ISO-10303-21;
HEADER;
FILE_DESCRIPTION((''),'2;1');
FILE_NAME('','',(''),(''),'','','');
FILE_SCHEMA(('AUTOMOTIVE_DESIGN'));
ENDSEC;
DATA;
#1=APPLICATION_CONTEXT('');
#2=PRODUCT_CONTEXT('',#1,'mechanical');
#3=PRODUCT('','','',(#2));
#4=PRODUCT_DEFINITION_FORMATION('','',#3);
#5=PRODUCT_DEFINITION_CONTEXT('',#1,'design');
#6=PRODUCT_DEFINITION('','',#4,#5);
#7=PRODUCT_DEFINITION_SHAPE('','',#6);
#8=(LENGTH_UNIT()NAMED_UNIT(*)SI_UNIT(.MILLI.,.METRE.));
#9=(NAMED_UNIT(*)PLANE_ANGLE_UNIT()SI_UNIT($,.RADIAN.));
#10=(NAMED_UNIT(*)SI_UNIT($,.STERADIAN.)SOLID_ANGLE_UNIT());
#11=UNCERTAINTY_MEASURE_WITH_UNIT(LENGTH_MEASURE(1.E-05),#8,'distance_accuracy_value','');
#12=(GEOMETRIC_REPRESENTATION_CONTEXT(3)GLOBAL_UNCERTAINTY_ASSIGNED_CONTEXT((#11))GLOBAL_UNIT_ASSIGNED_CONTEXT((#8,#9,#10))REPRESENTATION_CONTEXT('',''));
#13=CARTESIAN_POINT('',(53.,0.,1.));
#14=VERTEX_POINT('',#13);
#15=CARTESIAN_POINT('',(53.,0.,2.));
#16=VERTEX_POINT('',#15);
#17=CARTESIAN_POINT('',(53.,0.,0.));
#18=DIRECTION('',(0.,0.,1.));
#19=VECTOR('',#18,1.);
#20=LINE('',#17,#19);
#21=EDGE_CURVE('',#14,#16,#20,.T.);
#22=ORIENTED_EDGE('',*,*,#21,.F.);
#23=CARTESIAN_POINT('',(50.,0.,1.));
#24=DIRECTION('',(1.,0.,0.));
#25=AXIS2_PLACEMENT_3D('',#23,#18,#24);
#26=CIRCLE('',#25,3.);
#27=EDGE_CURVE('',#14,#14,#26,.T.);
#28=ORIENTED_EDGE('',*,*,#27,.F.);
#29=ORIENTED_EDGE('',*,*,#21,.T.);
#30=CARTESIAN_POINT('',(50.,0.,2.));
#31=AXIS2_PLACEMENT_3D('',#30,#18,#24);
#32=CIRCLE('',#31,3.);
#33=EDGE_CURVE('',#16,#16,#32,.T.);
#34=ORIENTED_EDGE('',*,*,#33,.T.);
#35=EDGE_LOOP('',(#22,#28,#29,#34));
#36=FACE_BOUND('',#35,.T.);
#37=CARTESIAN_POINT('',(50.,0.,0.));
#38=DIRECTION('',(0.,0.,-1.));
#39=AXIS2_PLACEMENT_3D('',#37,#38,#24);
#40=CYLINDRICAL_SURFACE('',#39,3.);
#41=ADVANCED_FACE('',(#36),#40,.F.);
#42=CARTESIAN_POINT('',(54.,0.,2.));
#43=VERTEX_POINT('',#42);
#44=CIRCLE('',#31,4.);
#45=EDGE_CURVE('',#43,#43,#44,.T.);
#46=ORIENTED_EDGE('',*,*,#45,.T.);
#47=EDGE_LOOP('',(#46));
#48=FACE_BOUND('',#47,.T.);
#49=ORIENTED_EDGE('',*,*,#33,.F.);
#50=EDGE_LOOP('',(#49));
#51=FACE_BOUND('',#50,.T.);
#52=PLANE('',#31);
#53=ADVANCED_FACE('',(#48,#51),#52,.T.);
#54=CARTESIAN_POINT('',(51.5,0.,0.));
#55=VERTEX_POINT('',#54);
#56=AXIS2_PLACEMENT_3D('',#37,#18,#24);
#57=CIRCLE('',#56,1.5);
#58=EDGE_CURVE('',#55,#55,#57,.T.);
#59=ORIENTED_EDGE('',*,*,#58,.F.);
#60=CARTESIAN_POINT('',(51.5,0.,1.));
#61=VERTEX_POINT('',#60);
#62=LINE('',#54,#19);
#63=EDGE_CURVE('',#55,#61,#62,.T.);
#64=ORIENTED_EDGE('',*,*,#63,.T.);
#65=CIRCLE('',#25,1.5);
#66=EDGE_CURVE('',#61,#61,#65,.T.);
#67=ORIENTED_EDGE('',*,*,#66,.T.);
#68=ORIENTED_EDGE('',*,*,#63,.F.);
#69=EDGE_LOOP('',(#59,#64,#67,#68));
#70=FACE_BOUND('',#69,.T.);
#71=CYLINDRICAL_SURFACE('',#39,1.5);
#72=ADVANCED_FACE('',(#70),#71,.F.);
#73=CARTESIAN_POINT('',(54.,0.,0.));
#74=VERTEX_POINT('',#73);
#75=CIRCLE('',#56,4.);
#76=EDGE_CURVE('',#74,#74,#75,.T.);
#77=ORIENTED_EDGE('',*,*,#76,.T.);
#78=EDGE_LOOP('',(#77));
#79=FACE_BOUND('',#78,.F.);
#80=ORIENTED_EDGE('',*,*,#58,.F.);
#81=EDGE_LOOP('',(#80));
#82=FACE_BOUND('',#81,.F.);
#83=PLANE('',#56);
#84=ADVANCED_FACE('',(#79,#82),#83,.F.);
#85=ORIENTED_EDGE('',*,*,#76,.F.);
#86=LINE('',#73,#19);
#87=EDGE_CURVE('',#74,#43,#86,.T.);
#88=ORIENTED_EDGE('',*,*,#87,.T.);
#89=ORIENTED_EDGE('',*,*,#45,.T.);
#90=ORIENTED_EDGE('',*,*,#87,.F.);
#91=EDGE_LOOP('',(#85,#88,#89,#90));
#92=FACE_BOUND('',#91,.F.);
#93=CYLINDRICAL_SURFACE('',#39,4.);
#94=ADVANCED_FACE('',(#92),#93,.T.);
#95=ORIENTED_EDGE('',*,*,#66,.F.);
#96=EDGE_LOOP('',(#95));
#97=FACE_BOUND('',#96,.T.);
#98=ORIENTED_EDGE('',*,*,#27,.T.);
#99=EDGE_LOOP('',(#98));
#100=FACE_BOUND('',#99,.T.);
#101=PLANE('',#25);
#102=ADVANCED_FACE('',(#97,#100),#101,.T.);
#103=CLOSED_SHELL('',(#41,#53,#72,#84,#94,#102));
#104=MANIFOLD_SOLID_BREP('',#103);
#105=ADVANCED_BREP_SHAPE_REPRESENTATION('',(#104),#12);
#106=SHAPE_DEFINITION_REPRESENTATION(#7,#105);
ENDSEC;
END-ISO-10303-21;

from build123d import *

# Parameters (mm, degrees)
TUBE001_R     = 3
TUBE001_R_2   = 1.5
TUBE001_DEPTH = 1
TUBE_R        = 4
TUBE_R_2      = 3
TUBE_DEPTH    = 2


with BuildPart() as tube001:
    # Tube001 → Tube001 (new body)
    with BuildSketch(Plane.XY):
        Circle(TUBE001_R)
        Circle(TUBE001_R_2, mode=Mode.SUBTRACT)
    extrude(amount=TUBE001_DEPTH)


with BuildPart() as insulator:
    # Tube → Tube (new body)
    with BuildSketch(Plane.XY):
        Circle(TUBE_R)
        Circle(TUBE_R_2, mode=Mode.SUBTRACT)
    extrude(amount=TUBE_DEPTH)

    # Fusion: union Tube001
    add(tube001.part)


with BuildPart() as insulator_1:
    # insulator placement: moved
    add(insulator.part.moved(Location((50, 0, 0))))


solid = insulator_1.part
